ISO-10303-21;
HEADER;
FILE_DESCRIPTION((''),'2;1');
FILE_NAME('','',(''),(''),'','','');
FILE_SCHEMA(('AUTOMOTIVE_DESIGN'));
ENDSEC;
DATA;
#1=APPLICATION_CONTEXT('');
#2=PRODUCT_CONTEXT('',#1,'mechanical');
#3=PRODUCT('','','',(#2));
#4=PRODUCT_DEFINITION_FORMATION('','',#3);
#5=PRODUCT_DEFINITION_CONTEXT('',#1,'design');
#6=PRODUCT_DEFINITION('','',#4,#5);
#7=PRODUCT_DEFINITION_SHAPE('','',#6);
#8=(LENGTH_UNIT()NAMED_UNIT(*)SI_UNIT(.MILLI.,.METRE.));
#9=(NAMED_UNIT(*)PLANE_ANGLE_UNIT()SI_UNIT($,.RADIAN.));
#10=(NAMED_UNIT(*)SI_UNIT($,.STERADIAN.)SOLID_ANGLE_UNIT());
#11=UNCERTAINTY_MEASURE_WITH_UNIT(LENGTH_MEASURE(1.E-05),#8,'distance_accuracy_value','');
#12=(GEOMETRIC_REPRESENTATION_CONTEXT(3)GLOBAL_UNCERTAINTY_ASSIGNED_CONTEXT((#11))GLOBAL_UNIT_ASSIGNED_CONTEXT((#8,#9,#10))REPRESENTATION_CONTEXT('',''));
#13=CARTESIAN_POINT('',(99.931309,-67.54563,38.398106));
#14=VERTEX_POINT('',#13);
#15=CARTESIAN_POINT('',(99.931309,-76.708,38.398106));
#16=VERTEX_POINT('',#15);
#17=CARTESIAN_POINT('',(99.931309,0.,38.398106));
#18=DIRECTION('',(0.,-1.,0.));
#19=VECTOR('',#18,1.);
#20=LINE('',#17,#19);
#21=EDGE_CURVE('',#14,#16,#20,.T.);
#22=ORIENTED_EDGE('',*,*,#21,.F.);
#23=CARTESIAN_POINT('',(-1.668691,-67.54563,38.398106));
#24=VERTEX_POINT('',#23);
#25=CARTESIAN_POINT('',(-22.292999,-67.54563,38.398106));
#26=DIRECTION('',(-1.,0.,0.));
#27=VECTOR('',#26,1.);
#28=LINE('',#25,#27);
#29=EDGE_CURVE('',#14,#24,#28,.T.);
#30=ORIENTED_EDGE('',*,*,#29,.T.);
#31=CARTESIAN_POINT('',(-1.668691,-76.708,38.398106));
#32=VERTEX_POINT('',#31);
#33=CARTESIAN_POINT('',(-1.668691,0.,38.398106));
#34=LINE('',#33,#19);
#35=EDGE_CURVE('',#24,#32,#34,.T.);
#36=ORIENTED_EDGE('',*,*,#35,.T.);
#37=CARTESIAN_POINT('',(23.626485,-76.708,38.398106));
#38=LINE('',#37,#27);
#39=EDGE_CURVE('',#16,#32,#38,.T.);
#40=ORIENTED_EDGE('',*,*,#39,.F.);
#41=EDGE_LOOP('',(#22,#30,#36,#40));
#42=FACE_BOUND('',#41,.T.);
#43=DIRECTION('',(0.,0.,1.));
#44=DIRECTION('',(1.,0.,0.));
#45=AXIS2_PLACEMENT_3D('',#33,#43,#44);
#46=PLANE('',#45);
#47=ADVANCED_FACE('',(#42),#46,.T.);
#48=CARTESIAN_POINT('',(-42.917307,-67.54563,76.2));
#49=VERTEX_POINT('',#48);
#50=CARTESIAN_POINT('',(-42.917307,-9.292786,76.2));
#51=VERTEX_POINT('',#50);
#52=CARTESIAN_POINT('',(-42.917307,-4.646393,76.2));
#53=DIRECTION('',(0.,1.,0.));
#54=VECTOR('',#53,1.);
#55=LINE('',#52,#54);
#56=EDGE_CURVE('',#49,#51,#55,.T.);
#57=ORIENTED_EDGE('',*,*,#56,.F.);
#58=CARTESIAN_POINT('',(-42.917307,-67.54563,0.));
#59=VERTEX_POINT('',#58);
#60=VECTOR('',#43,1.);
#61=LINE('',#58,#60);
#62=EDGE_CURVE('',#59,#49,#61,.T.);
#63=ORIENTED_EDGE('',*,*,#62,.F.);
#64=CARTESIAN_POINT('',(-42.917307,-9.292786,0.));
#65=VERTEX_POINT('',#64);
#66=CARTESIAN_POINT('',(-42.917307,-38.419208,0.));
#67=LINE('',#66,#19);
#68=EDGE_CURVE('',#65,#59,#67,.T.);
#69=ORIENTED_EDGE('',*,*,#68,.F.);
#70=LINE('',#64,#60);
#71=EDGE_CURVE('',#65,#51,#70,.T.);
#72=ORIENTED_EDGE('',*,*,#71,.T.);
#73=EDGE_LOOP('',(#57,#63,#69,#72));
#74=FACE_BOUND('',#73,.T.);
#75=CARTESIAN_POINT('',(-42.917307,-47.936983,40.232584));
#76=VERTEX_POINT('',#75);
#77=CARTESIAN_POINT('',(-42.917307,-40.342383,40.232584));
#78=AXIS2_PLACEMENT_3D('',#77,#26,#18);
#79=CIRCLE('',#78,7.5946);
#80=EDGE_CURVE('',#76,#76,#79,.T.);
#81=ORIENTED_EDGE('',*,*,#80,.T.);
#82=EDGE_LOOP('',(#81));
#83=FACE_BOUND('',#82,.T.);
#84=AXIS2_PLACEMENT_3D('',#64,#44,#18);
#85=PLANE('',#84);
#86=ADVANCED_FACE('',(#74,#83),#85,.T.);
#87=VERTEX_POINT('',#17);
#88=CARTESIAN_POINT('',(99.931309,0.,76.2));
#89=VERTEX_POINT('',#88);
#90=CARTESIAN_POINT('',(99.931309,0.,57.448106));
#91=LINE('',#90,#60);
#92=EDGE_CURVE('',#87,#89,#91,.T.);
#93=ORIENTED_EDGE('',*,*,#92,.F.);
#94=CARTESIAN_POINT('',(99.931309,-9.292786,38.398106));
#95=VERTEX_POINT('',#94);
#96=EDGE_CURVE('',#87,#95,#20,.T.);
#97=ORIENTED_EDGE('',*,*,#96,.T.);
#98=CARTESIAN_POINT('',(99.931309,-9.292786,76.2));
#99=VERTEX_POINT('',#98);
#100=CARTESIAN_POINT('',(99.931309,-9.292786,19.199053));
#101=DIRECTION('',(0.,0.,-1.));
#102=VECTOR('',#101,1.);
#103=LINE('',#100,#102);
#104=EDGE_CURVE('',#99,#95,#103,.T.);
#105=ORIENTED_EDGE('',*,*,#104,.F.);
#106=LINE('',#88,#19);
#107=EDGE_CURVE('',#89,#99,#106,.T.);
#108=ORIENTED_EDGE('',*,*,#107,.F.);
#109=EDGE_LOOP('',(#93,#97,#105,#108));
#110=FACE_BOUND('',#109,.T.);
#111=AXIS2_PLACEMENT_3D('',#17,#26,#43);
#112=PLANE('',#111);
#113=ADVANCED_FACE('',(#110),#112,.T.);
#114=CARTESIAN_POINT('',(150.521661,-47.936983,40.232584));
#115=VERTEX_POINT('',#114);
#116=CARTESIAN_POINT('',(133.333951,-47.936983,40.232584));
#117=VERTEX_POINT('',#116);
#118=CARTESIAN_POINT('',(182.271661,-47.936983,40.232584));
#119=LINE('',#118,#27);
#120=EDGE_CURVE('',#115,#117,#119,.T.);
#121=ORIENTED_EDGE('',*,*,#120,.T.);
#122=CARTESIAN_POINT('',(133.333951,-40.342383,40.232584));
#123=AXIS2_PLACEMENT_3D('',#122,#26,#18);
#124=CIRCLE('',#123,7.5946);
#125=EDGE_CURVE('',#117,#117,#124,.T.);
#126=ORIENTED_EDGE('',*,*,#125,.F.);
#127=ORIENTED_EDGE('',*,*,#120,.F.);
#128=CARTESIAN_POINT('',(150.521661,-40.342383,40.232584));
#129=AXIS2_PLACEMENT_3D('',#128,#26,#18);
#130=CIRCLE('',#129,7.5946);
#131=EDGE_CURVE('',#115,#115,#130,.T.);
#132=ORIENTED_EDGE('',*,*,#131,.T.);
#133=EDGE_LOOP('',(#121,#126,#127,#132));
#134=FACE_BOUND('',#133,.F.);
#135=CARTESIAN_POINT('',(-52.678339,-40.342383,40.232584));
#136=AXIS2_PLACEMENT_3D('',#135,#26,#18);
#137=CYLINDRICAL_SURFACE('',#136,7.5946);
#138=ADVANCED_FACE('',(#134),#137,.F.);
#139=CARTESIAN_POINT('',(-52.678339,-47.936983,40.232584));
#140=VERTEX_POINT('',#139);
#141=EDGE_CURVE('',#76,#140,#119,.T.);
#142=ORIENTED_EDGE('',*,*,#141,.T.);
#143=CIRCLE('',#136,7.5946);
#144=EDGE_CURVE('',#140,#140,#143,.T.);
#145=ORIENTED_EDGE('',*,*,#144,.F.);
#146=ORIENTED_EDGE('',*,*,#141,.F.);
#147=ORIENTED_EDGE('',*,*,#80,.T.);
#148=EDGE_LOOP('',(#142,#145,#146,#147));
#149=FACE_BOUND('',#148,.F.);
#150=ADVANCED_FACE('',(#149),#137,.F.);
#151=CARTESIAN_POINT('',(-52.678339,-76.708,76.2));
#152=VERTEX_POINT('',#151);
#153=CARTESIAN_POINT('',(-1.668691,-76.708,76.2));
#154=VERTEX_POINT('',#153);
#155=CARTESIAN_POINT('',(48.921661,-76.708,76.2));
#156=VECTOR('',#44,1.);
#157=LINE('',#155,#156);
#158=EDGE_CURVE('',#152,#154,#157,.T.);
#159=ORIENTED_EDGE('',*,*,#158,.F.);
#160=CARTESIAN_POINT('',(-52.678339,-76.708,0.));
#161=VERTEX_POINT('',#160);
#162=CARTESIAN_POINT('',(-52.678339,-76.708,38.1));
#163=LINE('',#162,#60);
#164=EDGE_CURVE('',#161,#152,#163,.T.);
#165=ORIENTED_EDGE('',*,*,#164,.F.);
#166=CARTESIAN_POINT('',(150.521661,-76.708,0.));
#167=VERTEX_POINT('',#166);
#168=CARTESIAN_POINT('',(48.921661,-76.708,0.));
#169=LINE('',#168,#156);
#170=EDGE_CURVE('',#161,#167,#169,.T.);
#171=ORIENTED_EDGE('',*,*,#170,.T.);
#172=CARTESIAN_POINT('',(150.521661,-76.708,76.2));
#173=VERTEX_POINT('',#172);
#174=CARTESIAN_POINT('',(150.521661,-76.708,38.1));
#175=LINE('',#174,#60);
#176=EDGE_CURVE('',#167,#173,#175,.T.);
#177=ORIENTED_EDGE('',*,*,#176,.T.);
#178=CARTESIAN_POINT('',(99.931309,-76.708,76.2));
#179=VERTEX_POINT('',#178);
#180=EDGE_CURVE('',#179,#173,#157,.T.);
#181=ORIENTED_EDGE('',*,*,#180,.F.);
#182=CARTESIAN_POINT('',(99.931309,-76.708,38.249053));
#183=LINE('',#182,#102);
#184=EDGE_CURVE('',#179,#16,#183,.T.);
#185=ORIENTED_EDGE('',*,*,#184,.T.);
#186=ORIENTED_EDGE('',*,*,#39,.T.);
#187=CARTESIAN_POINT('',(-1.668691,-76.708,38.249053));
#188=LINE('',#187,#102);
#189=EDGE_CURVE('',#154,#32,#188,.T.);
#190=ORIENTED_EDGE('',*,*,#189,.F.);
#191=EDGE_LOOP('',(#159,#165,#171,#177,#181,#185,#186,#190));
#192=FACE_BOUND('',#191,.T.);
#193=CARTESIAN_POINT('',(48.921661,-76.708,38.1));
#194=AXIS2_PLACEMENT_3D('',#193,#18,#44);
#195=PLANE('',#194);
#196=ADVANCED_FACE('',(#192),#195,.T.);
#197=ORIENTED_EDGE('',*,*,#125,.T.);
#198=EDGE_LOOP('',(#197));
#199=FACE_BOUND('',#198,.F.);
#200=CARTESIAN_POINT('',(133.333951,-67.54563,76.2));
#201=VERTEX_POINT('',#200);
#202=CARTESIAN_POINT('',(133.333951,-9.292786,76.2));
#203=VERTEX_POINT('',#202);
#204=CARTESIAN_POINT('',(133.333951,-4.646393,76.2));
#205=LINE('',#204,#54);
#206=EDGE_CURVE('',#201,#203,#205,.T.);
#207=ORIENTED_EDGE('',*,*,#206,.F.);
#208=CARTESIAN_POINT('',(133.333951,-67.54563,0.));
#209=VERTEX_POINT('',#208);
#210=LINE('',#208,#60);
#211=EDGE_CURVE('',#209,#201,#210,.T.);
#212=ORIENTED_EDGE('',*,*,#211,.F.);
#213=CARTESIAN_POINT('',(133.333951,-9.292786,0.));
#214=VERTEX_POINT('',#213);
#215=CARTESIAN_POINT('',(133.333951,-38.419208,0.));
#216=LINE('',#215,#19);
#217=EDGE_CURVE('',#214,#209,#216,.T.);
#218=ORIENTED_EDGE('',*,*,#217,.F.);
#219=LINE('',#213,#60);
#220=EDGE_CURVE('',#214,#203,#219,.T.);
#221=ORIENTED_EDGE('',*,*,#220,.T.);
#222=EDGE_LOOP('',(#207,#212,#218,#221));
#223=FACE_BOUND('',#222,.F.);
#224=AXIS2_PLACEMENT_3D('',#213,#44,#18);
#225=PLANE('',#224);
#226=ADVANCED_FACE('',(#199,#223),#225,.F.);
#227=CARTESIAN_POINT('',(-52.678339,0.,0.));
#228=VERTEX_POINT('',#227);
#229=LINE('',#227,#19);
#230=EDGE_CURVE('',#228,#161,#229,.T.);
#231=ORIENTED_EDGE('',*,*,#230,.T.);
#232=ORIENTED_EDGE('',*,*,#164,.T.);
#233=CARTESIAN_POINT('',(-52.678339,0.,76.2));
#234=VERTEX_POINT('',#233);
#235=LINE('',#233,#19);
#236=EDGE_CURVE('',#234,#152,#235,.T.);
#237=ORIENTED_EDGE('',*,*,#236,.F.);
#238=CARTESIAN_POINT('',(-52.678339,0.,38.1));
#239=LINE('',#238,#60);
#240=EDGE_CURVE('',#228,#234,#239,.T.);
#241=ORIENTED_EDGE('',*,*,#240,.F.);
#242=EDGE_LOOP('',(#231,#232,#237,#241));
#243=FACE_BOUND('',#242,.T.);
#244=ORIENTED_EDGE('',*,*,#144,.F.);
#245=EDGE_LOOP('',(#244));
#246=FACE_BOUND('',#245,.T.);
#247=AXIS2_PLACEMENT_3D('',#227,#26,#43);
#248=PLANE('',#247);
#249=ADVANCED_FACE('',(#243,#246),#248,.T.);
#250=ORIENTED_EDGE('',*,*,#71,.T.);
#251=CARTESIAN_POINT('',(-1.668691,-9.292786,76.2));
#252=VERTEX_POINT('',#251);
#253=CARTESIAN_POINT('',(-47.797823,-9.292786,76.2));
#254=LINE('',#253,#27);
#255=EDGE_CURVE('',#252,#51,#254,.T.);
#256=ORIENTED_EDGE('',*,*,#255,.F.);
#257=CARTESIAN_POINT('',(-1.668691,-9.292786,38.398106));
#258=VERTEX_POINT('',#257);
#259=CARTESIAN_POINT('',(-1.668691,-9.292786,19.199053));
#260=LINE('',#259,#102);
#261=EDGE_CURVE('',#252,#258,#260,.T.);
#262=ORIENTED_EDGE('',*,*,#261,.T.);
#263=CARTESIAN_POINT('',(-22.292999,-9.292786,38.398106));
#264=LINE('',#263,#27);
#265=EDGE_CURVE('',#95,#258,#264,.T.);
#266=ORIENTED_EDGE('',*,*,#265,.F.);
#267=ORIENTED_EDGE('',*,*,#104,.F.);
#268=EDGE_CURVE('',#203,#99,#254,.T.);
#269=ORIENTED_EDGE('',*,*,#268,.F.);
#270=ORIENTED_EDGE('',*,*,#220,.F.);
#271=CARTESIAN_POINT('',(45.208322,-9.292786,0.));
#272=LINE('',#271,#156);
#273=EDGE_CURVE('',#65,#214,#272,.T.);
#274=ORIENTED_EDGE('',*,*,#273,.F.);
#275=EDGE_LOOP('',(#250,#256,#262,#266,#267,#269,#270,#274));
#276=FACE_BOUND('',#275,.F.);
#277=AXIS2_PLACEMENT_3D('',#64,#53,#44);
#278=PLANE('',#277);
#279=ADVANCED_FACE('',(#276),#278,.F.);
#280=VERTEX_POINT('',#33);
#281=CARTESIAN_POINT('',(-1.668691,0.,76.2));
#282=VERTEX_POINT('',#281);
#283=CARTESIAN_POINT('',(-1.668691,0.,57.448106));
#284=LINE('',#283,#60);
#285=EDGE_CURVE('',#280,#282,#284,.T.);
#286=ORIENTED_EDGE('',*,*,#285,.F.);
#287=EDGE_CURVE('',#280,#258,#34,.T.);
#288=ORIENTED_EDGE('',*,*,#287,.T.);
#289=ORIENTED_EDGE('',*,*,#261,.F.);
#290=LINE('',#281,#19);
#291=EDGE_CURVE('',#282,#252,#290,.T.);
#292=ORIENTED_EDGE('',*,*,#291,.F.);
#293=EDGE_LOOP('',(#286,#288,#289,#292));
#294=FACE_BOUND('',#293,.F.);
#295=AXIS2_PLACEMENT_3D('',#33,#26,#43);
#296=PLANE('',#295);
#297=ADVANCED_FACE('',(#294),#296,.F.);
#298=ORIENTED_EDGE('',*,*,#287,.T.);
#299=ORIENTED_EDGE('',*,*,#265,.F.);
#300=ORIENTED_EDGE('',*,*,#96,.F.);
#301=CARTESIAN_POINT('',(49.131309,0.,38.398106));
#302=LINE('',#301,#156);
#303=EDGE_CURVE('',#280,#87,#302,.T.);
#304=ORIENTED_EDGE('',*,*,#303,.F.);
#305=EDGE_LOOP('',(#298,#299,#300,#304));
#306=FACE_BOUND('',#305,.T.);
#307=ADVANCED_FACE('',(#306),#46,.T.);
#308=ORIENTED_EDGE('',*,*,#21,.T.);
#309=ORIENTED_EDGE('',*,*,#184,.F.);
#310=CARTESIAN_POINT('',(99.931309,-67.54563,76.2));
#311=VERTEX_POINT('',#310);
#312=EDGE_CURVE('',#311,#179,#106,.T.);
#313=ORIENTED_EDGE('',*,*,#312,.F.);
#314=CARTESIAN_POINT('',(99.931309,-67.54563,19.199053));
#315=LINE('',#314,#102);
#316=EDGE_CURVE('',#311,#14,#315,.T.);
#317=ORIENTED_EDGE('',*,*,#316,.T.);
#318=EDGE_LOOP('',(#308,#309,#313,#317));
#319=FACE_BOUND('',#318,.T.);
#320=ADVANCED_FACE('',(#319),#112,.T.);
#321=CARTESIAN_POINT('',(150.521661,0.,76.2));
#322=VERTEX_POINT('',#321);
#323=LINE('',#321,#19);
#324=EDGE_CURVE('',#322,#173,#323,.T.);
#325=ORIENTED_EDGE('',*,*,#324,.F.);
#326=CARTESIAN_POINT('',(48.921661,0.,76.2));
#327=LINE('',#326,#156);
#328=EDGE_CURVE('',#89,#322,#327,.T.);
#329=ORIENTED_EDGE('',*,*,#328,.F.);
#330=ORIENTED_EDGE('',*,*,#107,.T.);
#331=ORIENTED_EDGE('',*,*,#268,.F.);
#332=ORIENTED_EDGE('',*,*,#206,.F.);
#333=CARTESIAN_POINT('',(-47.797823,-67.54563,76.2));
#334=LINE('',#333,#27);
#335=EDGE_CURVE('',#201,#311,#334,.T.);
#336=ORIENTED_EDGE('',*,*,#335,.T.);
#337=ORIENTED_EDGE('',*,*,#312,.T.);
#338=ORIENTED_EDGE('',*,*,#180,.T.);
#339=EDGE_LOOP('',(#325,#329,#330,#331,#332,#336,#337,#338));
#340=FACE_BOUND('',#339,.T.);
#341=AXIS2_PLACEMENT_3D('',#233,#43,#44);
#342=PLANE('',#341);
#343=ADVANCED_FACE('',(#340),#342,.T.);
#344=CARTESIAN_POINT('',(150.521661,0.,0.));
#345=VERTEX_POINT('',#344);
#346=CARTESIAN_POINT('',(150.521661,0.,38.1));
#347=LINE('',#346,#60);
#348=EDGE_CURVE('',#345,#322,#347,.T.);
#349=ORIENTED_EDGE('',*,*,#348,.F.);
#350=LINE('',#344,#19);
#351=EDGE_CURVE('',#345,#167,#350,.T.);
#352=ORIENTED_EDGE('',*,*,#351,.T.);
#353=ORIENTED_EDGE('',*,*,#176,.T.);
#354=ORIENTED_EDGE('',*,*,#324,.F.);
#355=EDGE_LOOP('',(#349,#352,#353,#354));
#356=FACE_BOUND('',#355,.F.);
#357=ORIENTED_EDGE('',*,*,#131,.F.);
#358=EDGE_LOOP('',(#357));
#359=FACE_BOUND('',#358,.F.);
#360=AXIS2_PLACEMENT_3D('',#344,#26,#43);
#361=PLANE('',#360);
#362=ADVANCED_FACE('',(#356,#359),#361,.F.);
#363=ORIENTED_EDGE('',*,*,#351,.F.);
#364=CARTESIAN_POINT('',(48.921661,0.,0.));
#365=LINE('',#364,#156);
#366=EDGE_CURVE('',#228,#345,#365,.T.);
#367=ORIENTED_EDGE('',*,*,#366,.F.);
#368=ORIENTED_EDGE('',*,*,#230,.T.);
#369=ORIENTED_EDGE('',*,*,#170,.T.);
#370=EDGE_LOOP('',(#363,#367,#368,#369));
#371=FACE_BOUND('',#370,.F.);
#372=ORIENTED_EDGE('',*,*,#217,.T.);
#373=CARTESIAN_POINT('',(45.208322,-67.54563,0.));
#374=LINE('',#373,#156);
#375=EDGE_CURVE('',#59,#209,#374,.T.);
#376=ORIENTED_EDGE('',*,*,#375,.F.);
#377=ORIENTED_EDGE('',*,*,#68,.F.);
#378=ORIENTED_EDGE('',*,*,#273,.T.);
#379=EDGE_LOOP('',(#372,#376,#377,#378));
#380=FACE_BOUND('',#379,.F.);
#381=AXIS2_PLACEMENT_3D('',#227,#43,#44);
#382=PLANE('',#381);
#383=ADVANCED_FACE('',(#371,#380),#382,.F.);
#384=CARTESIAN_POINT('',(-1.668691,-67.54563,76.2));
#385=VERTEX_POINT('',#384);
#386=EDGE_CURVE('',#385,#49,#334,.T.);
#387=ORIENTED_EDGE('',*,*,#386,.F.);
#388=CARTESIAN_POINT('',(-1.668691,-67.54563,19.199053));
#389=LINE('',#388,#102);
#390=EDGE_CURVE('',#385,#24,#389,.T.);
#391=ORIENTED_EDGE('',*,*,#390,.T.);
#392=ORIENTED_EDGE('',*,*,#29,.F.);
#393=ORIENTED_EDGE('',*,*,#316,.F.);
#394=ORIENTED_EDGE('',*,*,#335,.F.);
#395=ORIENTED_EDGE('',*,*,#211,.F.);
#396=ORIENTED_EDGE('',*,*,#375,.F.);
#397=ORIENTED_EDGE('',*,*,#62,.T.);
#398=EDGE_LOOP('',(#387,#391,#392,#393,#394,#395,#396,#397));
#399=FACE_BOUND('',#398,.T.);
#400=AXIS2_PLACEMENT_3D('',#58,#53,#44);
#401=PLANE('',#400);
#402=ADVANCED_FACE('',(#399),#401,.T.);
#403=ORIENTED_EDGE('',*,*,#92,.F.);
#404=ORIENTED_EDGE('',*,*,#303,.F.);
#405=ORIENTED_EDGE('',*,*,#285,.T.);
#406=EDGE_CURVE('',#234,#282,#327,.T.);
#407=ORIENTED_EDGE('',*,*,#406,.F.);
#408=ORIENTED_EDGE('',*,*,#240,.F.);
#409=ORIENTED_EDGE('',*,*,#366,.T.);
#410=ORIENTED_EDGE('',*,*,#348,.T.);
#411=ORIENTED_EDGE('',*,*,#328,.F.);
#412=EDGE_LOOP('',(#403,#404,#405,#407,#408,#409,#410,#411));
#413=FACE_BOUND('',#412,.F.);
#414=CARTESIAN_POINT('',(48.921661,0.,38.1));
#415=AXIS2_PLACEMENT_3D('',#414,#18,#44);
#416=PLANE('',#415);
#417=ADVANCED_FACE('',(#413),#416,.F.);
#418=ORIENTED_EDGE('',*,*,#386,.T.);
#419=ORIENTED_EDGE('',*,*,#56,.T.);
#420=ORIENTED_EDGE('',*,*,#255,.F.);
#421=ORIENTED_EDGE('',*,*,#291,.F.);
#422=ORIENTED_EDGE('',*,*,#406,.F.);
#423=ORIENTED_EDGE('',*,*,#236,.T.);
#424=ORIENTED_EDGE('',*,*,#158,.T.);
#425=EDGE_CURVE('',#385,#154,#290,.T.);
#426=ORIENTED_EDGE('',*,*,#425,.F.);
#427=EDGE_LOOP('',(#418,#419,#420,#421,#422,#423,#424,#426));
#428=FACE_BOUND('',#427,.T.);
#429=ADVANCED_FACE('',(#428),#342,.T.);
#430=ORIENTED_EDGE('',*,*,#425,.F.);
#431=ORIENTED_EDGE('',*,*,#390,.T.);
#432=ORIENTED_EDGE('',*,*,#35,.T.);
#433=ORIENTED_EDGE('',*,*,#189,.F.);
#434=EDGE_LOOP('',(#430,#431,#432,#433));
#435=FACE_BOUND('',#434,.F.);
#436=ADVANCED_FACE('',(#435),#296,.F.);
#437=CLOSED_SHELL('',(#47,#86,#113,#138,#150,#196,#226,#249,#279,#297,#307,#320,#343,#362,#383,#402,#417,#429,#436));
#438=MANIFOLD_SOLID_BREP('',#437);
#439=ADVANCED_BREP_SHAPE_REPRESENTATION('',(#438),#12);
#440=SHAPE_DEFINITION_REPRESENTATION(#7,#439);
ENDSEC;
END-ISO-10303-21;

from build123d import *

# Parameters (mm, degrees)
F0_W     = 203.2
F0_H     = 76.2
F1_DEPTH = 76.708
F2_W     = 101.6
F2_H     = 38.1
F3_DEPTH = 116.332
F4_R     = 7.5946
F5_DEPTH = 234.95
F6_W     = 176.251258
F6_H     = 58.252844
F7_DEPTH = 93.472


with BuildPart() as f1:
    # F0 (on Front) → F1 (new body)
    with BuildSketch(Plane.XZ):
        with Locations((48.921661, 38.1)):
            Rectangle(F0_W, F0_H)
    extrude(amount=F1_DEPTH)

    # F2 (on Front) → F3 (cut)
    with BuildSketch(Plane.XZ):
        with Locations((49.131309, 57.448106)):
            Rectangle(F2_W, F2_H)
    extrude(amount=F3_DEPTH, mode=Mode.SUBTRACT)

    # F4 (on face) → F5 (cut, symmetric)
    with BuildSketch(Plane(origin=(-52.678339, 0, 0), x_dir=(0, -1, 0), z_dir=(-1, 0, 0))):
        with Locations((40.342383, 40.232584)):
            Circle(F4_R)
    extrude(amount=F5_DEPTH, both=True, mode=Mode.SUBTRACT)

    # F6 (on face) → F7 (cut)
    with BuildSketch(Plane(origin=(0, 0, 0), x_dir=(1, 0, 0), z_dir=(0, 0, -1))):
        with Locations((45.208322, 38.419208)):
            Rectangle(F6_W, F6_H)
    extrude(amount=-F7_DEPTH, mode=Mode.SUBTRACT)


solid = f1.part
